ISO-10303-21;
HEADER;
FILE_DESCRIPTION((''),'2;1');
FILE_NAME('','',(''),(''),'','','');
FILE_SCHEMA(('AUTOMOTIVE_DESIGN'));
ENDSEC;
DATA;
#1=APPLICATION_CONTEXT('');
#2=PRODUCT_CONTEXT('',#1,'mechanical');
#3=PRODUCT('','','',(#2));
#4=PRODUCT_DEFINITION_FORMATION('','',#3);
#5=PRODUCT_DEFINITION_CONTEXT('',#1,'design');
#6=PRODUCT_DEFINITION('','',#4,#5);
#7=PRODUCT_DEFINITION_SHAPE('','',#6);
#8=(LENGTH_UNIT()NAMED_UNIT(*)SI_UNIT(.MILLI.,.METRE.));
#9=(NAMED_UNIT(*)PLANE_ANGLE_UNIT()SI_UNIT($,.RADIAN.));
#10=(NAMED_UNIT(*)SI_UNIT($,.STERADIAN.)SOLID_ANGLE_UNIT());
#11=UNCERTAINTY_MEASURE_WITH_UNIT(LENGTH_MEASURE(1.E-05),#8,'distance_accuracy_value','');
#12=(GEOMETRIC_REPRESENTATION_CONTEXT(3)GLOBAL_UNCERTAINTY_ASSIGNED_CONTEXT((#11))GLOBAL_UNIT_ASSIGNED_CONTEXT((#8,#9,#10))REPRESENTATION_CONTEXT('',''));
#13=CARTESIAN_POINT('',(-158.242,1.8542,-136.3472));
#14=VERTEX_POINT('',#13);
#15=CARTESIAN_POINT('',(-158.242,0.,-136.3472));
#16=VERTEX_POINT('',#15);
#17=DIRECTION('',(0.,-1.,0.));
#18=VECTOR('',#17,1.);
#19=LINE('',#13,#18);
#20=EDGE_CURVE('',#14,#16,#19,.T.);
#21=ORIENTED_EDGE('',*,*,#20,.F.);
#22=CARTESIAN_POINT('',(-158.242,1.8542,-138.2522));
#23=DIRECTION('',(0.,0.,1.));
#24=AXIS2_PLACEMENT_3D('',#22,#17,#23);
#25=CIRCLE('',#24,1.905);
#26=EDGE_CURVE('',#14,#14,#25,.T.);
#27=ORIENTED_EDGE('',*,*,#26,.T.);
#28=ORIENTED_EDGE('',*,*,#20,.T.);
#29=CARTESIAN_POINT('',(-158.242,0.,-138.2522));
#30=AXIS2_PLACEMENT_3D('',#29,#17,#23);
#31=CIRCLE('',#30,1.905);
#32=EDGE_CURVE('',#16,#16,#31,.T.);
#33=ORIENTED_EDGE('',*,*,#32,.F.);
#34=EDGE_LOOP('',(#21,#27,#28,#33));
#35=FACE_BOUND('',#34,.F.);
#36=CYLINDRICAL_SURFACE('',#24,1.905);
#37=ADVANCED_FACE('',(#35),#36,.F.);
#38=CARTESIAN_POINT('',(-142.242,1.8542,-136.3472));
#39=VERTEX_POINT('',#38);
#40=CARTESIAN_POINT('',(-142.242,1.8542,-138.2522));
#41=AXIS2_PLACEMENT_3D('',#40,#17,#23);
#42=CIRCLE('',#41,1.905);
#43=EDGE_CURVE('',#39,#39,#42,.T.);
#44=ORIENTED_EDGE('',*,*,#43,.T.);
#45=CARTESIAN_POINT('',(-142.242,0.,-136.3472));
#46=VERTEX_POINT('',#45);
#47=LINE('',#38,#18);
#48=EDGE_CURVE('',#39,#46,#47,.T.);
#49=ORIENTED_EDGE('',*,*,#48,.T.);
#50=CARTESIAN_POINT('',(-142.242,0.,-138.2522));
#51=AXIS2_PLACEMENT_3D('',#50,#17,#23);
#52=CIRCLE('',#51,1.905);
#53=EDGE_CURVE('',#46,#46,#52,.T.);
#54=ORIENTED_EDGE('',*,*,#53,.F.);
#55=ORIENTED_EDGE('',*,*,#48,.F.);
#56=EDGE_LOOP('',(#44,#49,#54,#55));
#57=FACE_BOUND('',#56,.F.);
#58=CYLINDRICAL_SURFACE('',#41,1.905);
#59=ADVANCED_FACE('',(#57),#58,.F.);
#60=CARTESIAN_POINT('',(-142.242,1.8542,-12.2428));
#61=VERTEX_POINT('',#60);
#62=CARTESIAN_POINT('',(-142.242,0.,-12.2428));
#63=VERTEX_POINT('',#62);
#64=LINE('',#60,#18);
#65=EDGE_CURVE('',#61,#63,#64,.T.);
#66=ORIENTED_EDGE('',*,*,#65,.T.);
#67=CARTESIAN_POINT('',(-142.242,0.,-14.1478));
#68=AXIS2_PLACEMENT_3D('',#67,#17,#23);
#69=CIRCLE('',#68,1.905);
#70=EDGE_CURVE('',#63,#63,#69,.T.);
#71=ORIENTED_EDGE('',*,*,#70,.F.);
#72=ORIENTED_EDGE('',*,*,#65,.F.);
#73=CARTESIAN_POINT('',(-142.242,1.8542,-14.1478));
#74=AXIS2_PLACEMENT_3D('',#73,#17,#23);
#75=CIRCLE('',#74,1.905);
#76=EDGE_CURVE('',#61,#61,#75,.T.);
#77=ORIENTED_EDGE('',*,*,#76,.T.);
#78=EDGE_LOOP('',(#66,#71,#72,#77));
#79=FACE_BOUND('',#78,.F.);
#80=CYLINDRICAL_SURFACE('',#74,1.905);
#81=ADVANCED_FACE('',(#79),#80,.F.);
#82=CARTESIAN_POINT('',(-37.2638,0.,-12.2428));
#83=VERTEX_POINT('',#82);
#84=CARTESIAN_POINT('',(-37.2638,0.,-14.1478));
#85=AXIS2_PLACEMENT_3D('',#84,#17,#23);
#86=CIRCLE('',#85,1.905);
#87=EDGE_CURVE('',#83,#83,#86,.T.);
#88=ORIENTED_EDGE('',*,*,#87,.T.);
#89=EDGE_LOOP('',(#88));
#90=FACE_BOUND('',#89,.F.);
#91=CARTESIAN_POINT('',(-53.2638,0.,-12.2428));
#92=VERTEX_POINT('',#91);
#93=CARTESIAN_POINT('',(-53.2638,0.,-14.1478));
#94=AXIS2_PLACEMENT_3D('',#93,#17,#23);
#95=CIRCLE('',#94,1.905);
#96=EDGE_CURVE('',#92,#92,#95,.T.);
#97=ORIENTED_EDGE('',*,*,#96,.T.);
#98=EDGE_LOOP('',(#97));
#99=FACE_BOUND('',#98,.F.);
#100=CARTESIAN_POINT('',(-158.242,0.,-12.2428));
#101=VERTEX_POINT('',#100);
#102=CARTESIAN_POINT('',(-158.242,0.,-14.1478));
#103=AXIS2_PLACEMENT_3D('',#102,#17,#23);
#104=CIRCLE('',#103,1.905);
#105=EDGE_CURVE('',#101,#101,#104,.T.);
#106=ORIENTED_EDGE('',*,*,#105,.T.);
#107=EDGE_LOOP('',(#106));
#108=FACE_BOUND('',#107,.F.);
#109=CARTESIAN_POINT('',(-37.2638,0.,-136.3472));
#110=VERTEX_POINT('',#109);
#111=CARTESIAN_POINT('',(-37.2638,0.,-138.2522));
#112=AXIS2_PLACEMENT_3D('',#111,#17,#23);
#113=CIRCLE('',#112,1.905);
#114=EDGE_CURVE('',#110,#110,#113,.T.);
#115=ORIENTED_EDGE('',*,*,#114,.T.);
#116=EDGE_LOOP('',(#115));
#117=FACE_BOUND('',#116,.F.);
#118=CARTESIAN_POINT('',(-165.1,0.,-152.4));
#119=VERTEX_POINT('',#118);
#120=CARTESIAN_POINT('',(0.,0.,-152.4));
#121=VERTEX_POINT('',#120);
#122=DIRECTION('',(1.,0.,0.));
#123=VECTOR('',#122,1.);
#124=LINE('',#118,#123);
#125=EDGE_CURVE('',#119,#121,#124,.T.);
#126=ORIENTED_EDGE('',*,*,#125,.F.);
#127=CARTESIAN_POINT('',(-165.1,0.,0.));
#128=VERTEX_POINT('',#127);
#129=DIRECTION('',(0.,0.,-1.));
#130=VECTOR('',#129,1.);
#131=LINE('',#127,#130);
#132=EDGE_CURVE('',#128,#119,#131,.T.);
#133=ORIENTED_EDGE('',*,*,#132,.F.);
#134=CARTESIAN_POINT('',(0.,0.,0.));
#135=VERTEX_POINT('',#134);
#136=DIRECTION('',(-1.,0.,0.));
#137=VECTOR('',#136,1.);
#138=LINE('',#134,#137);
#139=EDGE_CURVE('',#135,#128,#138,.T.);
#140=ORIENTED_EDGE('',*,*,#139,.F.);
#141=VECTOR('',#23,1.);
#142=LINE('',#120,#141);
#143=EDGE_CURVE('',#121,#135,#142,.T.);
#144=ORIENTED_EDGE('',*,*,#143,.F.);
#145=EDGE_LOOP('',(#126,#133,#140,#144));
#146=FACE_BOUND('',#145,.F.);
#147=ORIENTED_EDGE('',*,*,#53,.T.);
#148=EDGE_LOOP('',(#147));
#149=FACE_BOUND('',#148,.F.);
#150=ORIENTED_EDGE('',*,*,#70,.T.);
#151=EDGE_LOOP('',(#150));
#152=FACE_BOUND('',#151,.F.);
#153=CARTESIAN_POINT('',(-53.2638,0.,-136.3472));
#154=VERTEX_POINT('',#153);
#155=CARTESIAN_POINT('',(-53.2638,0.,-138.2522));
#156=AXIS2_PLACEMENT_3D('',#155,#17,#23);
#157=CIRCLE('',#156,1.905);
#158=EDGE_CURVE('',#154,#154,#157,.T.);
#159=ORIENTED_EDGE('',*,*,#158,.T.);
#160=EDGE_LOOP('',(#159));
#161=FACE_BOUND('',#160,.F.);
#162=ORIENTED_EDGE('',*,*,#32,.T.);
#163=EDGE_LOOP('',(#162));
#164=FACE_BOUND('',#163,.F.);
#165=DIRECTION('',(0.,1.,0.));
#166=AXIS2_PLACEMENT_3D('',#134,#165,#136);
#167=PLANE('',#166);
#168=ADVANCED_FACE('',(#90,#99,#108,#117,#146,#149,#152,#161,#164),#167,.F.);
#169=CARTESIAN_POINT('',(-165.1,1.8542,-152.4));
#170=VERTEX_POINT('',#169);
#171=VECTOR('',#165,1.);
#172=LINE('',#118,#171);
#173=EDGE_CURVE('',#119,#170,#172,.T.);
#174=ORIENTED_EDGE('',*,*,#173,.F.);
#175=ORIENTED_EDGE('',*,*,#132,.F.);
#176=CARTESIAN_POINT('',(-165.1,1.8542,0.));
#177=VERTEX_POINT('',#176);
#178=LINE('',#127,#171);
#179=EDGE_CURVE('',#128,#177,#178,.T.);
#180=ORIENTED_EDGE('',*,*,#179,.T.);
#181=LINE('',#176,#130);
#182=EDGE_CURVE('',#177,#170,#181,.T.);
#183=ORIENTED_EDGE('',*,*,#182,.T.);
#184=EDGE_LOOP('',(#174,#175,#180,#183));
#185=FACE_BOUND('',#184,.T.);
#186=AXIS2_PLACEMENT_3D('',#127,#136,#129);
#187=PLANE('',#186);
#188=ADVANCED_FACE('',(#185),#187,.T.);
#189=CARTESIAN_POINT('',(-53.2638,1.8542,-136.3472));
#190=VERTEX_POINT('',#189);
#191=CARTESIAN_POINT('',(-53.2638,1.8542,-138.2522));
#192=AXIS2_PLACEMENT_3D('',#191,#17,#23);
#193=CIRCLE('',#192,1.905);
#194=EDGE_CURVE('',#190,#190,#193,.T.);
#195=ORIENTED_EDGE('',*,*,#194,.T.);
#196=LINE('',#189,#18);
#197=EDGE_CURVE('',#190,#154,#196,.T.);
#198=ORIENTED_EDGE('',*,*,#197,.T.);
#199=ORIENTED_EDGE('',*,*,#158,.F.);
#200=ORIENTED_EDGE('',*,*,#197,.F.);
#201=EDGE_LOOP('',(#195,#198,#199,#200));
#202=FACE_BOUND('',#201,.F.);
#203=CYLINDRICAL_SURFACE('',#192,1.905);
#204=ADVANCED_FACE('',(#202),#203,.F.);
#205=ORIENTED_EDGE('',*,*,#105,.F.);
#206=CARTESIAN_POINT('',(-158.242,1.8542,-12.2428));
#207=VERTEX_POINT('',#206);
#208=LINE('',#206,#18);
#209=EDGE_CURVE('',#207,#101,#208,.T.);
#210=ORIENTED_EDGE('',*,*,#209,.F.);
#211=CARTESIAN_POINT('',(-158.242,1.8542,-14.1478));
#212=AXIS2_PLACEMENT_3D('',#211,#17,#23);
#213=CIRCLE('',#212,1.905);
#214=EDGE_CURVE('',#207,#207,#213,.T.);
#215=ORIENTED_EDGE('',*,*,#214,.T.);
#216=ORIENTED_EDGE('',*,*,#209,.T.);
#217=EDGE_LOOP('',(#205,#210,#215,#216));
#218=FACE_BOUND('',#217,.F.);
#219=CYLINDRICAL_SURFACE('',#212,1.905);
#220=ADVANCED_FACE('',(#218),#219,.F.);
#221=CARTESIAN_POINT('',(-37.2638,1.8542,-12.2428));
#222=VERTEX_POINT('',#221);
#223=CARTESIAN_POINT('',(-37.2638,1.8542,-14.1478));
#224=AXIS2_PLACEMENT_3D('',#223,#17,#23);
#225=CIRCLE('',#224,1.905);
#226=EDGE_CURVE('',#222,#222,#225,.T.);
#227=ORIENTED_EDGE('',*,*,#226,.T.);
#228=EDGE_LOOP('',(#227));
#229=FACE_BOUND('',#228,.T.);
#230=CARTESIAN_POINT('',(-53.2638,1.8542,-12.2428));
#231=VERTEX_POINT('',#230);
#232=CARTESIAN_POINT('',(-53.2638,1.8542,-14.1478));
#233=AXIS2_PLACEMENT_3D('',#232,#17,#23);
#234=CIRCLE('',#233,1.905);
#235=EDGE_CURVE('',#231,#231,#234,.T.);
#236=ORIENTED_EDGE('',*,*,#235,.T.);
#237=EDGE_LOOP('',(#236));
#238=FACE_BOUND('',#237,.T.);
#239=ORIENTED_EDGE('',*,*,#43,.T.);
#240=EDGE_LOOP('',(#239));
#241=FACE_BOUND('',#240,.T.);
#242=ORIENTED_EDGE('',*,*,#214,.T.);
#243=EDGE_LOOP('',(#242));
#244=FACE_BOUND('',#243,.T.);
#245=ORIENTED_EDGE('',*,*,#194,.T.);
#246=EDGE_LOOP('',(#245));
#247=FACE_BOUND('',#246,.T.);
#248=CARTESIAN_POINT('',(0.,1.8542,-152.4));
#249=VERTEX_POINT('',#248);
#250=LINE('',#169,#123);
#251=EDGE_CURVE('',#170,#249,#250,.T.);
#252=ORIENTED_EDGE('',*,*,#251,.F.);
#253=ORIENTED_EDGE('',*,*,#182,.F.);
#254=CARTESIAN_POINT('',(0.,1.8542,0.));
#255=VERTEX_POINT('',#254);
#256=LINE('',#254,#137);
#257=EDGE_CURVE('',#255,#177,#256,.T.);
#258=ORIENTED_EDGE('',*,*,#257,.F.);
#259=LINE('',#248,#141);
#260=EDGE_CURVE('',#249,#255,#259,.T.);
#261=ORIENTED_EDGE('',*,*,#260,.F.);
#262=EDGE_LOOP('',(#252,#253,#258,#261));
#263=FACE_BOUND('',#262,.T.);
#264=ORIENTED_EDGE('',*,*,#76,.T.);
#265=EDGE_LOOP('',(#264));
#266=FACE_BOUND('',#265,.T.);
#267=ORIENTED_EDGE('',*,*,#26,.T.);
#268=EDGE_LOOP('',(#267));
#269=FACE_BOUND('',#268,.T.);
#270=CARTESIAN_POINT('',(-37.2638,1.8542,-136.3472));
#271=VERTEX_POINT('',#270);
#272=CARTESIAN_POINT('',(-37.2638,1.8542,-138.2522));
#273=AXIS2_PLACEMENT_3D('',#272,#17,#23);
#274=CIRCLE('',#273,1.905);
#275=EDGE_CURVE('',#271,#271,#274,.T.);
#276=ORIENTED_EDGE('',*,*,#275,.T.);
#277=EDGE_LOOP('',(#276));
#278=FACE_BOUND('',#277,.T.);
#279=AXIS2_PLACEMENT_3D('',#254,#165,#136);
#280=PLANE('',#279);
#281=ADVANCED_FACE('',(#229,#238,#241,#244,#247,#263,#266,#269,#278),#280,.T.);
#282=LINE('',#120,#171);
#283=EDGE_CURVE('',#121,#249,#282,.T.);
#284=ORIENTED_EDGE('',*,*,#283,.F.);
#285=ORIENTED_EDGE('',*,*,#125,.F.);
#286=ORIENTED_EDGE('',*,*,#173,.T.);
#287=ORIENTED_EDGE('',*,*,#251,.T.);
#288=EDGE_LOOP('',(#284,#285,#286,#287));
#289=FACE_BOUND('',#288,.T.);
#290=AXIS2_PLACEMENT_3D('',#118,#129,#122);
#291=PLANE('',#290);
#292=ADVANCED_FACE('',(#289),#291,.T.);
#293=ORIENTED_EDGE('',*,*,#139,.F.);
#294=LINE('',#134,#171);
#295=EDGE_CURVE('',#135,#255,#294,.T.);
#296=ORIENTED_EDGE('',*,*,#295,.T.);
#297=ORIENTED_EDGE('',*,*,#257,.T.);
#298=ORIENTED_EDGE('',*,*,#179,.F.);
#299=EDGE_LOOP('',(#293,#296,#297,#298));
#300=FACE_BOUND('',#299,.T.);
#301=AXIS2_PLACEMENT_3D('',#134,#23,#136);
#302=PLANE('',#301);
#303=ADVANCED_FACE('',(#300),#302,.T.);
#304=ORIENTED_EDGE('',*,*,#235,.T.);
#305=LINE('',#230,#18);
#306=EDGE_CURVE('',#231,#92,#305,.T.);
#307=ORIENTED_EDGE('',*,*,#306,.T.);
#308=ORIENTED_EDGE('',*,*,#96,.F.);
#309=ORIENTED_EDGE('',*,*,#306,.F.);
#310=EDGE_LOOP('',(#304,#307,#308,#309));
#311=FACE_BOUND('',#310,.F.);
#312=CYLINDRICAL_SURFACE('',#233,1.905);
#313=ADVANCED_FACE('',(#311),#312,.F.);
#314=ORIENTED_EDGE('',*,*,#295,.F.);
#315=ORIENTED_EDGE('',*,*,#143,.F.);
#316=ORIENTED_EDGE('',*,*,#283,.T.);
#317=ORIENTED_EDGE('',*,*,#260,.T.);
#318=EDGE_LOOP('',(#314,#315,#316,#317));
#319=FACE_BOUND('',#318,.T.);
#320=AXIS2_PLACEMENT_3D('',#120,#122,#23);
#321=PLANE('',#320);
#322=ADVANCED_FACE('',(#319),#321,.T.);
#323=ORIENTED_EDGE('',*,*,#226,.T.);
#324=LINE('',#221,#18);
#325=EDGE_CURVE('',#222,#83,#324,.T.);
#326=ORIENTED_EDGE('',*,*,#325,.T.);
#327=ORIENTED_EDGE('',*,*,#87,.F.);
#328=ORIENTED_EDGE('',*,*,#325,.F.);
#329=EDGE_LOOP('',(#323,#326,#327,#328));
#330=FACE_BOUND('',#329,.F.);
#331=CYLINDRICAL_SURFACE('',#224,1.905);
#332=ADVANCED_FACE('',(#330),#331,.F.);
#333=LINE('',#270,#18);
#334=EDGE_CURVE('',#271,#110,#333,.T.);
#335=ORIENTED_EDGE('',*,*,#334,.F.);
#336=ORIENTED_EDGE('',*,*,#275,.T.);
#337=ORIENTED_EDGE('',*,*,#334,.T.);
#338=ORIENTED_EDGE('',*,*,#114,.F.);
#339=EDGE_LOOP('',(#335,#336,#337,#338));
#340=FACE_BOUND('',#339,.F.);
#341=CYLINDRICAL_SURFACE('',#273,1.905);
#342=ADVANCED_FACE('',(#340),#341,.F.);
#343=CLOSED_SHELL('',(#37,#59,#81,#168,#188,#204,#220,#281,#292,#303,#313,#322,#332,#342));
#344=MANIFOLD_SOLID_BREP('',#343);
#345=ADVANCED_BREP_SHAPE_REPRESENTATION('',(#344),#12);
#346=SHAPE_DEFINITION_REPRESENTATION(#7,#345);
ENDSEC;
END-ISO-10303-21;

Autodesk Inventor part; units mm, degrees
ref_plane "YZ Plane" through (0, 0, 0) normal (1, 0, 0) x (0, 1, 0)
ref_plane "XZ Plane" through (0, 0, 0) normal (0, 1, 0) x (-1, 0, 0)
ref_plane "XY Plane" through (0, 0, 0) normal (0, 0, 1) x (1, 0, 0)
sketch "Sketch1" plane through (0, 0, 0) normal (0, 1, 0) x (-1, 0, 0)
  line L0 (0, 0) -> (165.1, 0)
  line L1 (165.1, 0) -> (165.1, -152.4)
  line L2 (165.1, -152.4) -> (0, -152.4)
  line L3 (0, -152.4) -> (0, 0)
  dimension "d0" = 165.1
  dimension "d1" = 152.4
extrude "Extrusion1" add sketch "Sketch1" along normal blind 1.8542
sketch "Sketch2" plane through (0, 1.8542, 0) normal (0, 1, 0) x (1, 0, 0)
  line L0 (-165.1, 0) -> (0, 0) projected
  line L1 (0, 0) -> (0, 152.4) projected
  line L2 (0, 152.4) -> (-165.1, 152.4) projected
  line L3 (-165.1, 152.4) -> (-165.1, 0) projected
  point P0 (-158.242, 14.1478)
  point P1 (-142.242, 14.1478)
  point P2 (-53.2638, 14.1478)
  point P3 (-37.2638, 14.1478)
  point P4 (-37.2638, 138.2522)
  point P5 (-53.2638, 138.2522)
  point P6 (-142.242, 138.2522)
  point P7 (-158.242, 138.2522)
  dimension "d4" = 165.1
  dimension "d5" = 16
  dimension "d6" = 16
  dimension "d7" = 16
  dimension "d8" = 16
  dimension "d9" = 14.1478
  dimension "d10" = 14.1478
  dimension "d11" = 14.1478
  dimension "d12" = 14.1478
  dimension "d13" = 14.1478
  dimension "d14" = 14.1478
  dimension "d15" = 14.1478
  dimension "d16" = 14.1478
  dimension "d17" = 53.2638
  dimension "d18" = 53.2638
  dimension "d19" = 158.242
  dimension "d20" = 158.242
hole "Hole1" at (-158.242, 1.8542, -14.1478) at (-142.242, 1.8542, -14.1478) at (-53.2638, 1.8542, -14.1478) at (-37.2638, 1.8542, -14.1478) at (-37.2638, 1.8542, -138.2522) at (-53.2638, 1.8542, -138.2522) at (-142.242, 1.8542, -138.2522) at (-158.242, 1.8542, -138.2522) direction (0, -1, 0) diameter 3.81 depth 10.9728 tip angle 118
equation "\"d6\" = d5"
equation "\"d7\" = d5"
equation "\"d8\" = d5"
equation "\"d10\" = d9"
equation "\"d11\" = d9"
equation "\"d12\" = d9"
equation "\"d13\" = d9"
equation "\"d14\" = d9"
equation "\"d15\" = d9"
equation "\"d16\" = d9"
equation "\"d18\" = d17"
equation "\"d20\" = d19"
properties part number "PaddleCollectionFloor" material "Polycarbonate, Clear"
